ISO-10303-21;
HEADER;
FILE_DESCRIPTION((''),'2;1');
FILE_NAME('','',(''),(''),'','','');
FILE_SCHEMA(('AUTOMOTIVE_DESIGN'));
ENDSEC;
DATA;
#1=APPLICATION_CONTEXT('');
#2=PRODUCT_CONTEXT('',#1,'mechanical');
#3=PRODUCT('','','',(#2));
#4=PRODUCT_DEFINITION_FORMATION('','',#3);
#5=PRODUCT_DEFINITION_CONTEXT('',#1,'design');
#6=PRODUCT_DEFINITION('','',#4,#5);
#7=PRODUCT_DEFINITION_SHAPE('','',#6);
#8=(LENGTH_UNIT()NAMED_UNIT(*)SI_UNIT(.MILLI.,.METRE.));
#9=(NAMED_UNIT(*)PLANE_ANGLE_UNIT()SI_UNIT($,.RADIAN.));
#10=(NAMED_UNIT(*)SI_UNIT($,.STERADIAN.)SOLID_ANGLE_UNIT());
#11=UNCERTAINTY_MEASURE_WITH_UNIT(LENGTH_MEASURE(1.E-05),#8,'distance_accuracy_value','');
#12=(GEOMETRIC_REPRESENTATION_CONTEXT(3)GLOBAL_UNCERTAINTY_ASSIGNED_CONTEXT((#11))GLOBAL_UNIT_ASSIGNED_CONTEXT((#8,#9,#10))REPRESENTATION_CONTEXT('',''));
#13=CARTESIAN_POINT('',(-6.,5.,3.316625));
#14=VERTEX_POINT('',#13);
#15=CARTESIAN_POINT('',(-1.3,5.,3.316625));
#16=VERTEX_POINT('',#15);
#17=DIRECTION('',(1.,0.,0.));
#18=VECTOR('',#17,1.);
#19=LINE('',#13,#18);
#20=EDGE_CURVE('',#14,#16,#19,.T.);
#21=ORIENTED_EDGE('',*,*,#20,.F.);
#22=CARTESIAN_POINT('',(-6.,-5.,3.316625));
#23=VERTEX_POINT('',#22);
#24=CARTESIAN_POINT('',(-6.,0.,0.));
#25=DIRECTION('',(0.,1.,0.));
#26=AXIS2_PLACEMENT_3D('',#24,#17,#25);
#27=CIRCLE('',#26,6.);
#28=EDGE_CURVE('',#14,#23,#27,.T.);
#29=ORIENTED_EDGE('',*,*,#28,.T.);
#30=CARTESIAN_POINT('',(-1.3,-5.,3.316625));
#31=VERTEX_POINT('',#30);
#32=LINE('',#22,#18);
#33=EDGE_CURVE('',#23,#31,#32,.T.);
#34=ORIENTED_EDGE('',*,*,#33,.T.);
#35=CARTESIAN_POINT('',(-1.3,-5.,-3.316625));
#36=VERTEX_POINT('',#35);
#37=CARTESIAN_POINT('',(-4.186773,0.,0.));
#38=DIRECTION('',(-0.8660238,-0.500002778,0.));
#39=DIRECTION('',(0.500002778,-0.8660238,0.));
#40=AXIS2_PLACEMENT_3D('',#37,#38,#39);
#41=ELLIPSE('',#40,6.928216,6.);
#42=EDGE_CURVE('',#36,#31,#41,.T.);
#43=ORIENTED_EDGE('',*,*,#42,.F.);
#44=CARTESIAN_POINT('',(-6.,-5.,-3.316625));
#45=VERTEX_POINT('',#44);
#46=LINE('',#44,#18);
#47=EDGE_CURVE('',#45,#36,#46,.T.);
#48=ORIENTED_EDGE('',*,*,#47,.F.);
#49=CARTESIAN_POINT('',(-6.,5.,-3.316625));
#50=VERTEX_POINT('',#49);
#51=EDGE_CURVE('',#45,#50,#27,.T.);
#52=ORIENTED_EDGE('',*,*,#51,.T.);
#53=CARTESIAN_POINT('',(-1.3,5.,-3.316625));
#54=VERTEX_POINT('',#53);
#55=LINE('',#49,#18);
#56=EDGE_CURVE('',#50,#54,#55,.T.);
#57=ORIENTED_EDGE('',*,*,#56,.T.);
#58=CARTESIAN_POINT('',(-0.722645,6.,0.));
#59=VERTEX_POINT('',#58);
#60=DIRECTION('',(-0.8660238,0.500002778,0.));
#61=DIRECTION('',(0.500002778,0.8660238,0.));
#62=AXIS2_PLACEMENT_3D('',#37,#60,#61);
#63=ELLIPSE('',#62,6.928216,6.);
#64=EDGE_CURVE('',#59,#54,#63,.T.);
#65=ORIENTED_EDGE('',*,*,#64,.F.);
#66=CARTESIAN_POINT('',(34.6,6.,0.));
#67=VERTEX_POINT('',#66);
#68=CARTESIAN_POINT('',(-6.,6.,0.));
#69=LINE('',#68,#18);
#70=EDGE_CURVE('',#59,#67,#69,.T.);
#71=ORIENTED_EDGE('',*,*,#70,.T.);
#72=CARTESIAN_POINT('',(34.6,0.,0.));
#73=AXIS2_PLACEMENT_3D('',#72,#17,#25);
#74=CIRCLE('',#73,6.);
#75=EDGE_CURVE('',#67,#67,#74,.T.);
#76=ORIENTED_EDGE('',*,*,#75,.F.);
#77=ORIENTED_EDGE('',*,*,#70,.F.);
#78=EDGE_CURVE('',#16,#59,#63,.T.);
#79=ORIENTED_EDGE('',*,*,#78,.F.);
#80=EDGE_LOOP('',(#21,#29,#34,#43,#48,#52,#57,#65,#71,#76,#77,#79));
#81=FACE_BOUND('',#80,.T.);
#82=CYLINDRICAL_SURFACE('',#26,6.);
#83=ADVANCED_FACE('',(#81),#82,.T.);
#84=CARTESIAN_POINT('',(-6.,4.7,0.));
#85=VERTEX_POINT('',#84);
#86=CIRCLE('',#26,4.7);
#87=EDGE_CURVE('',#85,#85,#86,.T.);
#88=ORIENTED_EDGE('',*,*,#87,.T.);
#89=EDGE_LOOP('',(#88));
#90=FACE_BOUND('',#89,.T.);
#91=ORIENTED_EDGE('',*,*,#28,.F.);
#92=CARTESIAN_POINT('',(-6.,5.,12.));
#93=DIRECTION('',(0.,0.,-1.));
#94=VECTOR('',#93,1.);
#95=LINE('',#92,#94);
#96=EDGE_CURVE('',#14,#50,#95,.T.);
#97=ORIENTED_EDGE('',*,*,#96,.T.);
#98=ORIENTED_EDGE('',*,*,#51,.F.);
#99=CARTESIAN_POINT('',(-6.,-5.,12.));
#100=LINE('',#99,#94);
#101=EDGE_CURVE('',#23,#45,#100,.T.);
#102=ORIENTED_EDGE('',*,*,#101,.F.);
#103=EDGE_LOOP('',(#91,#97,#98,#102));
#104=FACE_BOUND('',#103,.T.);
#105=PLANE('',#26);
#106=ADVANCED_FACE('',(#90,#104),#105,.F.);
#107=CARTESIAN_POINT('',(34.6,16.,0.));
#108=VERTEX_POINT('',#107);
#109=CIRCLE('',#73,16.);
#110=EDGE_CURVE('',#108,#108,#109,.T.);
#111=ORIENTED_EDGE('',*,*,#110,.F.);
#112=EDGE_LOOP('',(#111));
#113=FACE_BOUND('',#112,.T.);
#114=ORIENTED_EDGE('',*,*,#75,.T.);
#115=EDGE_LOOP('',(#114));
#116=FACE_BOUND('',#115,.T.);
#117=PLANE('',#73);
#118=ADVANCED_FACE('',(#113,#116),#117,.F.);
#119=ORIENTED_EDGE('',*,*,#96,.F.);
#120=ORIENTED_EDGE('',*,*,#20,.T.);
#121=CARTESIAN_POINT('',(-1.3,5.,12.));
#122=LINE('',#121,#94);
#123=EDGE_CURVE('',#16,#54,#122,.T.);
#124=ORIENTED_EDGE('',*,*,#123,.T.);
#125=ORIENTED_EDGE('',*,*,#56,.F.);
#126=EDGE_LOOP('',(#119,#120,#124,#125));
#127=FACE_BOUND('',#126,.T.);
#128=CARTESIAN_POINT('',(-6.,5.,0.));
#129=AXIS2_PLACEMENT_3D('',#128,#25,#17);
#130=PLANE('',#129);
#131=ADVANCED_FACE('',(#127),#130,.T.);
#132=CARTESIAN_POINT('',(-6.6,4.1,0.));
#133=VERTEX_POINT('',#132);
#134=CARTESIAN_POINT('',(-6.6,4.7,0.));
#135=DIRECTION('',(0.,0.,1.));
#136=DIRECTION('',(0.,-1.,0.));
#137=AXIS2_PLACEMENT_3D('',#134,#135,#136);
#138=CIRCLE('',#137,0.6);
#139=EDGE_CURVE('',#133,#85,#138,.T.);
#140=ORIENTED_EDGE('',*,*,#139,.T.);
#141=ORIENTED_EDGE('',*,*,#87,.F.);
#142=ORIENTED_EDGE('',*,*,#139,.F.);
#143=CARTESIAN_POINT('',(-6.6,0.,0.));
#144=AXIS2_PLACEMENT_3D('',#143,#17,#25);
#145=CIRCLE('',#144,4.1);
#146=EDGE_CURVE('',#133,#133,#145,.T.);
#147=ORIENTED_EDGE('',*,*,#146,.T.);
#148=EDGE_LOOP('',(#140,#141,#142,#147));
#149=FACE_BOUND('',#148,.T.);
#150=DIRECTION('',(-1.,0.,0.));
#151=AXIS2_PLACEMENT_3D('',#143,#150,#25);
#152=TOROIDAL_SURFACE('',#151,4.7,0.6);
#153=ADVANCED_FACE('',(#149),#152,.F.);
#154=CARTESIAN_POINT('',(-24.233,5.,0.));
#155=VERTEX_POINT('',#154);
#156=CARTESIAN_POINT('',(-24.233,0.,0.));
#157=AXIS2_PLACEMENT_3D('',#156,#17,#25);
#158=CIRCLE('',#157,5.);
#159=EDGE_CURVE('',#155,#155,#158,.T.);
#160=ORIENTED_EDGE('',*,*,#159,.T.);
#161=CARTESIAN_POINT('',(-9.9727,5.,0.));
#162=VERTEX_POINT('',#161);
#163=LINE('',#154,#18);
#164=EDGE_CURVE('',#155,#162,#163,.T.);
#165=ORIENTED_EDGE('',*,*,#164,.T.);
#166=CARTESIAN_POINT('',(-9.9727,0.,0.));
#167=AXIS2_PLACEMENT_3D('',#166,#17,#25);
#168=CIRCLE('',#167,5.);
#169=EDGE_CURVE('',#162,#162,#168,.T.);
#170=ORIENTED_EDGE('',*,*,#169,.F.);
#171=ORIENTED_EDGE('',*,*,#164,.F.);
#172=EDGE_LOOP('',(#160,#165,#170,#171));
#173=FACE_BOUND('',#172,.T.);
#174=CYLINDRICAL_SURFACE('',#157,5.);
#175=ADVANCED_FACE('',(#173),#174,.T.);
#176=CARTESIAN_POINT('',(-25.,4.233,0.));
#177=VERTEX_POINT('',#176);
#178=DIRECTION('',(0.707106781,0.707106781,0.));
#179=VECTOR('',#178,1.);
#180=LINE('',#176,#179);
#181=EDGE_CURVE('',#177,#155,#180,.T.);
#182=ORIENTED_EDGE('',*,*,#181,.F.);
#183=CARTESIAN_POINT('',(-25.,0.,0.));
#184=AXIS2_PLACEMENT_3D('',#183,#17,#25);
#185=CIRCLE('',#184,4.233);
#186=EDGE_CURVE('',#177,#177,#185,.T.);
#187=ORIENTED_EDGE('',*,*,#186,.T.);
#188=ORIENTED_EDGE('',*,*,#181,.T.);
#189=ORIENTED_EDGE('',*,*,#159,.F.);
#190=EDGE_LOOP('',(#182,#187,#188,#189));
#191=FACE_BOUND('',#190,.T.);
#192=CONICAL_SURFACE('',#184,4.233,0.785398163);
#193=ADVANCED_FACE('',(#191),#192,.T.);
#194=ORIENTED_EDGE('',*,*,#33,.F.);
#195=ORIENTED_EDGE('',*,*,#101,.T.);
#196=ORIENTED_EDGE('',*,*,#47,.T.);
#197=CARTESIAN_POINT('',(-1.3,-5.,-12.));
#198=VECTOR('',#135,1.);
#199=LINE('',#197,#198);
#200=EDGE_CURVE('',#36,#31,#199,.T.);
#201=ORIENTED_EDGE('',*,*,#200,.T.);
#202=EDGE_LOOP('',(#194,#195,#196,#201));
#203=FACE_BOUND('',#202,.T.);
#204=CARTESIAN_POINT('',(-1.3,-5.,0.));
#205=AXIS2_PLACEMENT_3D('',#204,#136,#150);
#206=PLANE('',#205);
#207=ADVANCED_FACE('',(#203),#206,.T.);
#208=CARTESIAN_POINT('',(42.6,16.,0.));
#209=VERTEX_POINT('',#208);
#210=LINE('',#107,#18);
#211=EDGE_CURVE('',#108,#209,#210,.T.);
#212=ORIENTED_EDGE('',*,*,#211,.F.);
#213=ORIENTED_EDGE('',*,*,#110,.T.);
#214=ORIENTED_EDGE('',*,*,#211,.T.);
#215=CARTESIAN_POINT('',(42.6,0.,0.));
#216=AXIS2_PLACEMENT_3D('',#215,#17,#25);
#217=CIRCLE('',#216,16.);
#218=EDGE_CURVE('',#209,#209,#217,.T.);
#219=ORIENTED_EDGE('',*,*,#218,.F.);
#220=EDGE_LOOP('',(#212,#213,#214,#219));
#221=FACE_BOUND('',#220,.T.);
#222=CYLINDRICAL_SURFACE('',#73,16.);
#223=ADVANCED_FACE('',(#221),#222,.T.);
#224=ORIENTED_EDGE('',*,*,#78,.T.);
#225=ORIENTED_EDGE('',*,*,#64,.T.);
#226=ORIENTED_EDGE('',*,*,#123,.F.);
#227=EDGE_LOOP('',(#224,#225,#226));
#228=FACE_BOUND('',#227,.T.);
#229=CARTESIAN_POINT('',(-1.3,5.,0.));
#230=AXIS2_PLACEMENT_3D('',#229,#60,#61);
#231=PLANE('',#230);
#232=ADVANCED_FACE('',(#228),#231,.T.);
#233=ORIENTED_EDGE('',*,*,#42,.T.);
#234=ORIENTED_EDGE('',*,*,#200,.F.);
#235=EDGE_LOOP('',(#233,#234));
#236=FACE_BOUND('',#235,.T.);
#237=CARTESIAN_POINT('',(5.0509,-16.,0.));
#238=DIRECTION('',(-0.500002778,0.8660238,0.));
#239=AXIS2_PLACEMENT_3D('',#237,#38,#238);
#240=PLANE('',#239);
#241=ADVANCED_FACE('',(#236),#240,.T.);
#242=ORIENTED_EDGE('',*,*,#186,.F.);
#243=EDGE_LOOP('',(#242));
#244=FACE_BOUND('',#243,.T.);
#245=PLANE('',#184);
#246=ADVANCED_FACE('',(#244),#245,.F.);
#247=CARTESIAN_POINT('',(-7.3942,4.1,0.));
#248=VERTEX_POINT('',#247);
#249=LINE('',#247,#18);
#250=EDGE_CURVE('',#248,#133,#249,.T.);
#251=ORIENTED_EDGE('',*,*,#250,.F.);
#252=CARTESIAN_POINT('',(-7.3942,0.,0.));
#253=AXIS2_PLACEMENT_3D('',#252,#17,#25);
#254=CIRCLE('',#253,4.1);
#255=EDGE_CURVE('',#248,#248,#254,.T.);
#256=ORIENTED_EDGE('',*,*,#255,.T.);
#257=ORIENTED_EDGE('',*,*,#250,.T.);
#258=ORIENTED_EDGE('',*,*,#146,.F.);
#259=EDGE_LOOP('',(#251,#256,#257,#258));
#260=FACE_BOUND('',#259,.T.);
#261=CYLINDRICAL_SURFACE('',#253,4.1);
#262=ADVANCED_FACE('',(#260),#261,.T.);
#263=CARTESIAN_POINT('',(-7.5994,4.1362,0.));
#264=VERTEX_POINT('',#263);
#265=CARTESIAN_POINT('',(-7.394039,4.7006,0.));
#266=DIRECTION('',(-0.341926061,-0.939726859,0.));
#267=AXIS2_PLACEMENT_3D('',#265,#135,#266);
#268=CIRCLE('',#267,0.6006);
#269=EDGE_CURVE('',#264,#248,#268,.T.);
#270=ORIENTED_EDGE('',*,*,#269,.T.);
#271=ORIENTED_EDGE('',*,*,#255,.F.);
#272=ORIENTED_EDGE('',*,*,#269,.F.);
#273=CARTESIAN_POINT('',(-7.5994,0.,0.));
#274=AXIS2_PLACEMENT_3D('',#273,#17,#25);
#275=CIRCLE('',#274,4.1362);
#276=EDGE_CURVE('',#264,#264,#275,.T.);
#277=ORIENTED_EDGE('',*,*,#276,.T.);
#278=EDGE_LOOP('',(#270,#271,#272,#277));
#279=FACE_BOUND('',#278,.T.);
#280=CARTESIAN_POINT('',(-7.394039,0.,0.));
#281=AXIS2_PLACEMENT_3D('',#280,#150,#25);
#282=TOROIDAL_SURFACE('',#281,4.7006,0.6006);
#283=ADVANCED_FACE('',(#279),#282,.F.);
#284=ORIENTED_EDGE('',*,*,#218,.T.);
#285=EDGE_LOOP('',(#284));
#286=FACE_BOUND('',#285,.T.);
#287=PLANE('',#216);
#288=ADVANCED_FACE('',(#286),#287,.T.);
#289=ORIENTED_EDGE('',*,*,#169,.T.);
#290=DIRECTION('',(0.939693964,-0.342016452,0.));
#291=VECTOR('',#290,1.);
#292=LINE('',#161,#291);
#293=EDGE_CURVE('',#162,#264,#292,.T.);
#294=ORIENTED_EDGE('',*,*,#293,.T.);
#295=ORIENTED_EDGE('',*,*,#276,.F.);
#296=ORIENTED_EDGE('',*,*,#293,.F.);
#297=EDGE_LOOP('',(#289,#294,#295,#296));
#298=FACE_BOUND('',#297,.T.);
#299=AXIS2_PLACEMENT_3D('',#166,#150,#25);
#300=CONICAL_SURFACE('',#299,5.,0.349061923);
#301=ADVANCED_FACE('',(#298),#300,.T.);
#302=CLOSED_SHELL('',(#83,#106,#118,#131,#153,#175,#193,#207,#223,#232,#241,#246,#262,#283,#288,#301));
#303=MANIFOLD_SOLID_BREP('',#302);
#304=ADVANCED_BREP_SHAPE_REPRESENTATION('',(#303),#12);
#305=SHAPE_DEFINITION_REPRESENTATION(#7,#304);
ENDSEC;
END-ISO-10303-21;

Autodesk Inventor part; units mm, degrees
sketch "Sketch_1" plane through (0, 0, 0) normal (0, 0, 1) x (1, 0, 0)
  line L0 (42.6, 0) -> (-6, 0)
  line L1 (-6, 0) -> (-6, 6)
  line L2 (-6, 6) -> (42.6, 6)
  line L3 (42.6, 6) -> (42.6, 0)
  line L4 (42.6, 0) -> (-6, 0)
revolve "Revolution1" add sketch "Sketch_1" angle 360 about axis through (42.6, 0, 0) along (1, 0, 0)
sketch "Sketch_11" plane through (0, 0, 0) normal (0, 0, 1) x (1, 0, 0)
  line L0 (42.6, 0) -> (34.6, 0)
  line L1 (34.6, 0) -> (34.6, 16)
  line L2 (34.6, 16) -> (42.6, 16)
  line L3 (42.6, 16) -> (42.6, 0)
  line L4 (42.6, 0) -> (34.6, 0)
revolve "Revolution2" add sketch "Sketch_11" angle 360 about axis through (42.6, 0, 0) along (1, 0, 0)
sketch "Sketch_19" plane through (0, 0, 0) normal (0, 0, 1) x (1, 0, 0)
  line L0 (-5, 0) -> (-25, 0)
  line L1 (-25, 0) -> (-25, 4.233)
  line L2 (-25, 4.233) -> (-24.233, 5)
  line L3 (-24.233, 5) -> (-9.9727, 5)
  line L4 (-9.9727, 5) -> (-7.5994, 4.1362)
  arc A0 (-7.5994, 4.1362) -> (-7.3942, 4.1) centre (-7.3942, 4.7) ccw
  line L5 (-7.3942, 4.1) -> (-6.6, 4.1)
  arc A1 (-6.6, 4.1) -> (-6, 4.7) centre (-6.6, 4.7) ccw
  line L6 (-6, 4.7) -> (-6, 5)
  line L7 (-6, 5) -> (-5, 5)
  line L8 (-5, 5) -> (-5, 0)
  line L9 (-5, 0) -> (-25, 0)
revolve "Revolution3" add sketch "Sketch_19" angle 360 about axis through (-5, 0, 0) along (1, 0, 0)
thread "Thread1" size "M10x1.25" class "6g" standard "ISO Metric profile" full length
sketch "Sketch_20" plane through (0, 0, 0) normal (0, 0, 1) x (1, 0, 0)
  line L0 (-36, -16) -> (5.0509, -16)
  line L1 (5.0509, -16) -> (-1.3, -5)
  line L2 (-1.3, -5) -> (-6, -5)
  line L3 (-6, -5) -> (-6, -10)
  line L4 (-6, -10) -> (-30, -10)
  line L5 (-30, -10) -> (-30, 10)
  line L6 (-30, 10) -> (-6, 10)
  line L7 (-6, 10) -> (-6, 5)
  line L8 (-6, 5) -> (-1.3, 5)
  line L9 (-1.3, 5) -> (5.0509, 16)
  line L10 (5.0509, 16) -> (-36, 16)
  line L11 (-36, 16) -> (-36, -16)
extrude "Extrusion1" cut sketch "Sketch_20" along normal mid plane 24
ref_plane "FDT_PIRODACC_M1_XY" through (-15, 0, 0) normal (-1, 0, 0) x (0, 1, 0)
ref_plane "FDT_PIRODACC_M1_YZ" through (-15, 0, 0) normal (0, 1, 0) x (0, 0, -1)
ref_plane "FDT_PIRODACC_M1_ZX" through (-15, 0, 0) normal (0, 0, -1) x (-1, 0, 0)
ref_plane "NUT1_XY" through (-12.5, 0, 0) normal (1, 0, 0) x (0, 0, -1)
ref_plane "NUT1_YZ" through (-12.5, 0, 0) normal (0, 0, -1) x (0, 1, 0)
ref_plane "NUT1_ZX" through (-12.5, 0, 0) normal (0, 1, 0) x (1, 0, 0)
ref_plane "PISTON_XY" through (42.6, 0, 0) normal (1, 0, 0) x (0, 0, -1)
ref_plane "PISTON_YZ" through (42.6, 0, 0) normal (0, 0, -1) x (0, 1, 0)
ref_plane "PISTON_ZX" through (42.6, 0, 0) normal (0, 1, 0) x (1, 0, 0)
properties part number "536267 ADN-15-P-A_(KS)"
